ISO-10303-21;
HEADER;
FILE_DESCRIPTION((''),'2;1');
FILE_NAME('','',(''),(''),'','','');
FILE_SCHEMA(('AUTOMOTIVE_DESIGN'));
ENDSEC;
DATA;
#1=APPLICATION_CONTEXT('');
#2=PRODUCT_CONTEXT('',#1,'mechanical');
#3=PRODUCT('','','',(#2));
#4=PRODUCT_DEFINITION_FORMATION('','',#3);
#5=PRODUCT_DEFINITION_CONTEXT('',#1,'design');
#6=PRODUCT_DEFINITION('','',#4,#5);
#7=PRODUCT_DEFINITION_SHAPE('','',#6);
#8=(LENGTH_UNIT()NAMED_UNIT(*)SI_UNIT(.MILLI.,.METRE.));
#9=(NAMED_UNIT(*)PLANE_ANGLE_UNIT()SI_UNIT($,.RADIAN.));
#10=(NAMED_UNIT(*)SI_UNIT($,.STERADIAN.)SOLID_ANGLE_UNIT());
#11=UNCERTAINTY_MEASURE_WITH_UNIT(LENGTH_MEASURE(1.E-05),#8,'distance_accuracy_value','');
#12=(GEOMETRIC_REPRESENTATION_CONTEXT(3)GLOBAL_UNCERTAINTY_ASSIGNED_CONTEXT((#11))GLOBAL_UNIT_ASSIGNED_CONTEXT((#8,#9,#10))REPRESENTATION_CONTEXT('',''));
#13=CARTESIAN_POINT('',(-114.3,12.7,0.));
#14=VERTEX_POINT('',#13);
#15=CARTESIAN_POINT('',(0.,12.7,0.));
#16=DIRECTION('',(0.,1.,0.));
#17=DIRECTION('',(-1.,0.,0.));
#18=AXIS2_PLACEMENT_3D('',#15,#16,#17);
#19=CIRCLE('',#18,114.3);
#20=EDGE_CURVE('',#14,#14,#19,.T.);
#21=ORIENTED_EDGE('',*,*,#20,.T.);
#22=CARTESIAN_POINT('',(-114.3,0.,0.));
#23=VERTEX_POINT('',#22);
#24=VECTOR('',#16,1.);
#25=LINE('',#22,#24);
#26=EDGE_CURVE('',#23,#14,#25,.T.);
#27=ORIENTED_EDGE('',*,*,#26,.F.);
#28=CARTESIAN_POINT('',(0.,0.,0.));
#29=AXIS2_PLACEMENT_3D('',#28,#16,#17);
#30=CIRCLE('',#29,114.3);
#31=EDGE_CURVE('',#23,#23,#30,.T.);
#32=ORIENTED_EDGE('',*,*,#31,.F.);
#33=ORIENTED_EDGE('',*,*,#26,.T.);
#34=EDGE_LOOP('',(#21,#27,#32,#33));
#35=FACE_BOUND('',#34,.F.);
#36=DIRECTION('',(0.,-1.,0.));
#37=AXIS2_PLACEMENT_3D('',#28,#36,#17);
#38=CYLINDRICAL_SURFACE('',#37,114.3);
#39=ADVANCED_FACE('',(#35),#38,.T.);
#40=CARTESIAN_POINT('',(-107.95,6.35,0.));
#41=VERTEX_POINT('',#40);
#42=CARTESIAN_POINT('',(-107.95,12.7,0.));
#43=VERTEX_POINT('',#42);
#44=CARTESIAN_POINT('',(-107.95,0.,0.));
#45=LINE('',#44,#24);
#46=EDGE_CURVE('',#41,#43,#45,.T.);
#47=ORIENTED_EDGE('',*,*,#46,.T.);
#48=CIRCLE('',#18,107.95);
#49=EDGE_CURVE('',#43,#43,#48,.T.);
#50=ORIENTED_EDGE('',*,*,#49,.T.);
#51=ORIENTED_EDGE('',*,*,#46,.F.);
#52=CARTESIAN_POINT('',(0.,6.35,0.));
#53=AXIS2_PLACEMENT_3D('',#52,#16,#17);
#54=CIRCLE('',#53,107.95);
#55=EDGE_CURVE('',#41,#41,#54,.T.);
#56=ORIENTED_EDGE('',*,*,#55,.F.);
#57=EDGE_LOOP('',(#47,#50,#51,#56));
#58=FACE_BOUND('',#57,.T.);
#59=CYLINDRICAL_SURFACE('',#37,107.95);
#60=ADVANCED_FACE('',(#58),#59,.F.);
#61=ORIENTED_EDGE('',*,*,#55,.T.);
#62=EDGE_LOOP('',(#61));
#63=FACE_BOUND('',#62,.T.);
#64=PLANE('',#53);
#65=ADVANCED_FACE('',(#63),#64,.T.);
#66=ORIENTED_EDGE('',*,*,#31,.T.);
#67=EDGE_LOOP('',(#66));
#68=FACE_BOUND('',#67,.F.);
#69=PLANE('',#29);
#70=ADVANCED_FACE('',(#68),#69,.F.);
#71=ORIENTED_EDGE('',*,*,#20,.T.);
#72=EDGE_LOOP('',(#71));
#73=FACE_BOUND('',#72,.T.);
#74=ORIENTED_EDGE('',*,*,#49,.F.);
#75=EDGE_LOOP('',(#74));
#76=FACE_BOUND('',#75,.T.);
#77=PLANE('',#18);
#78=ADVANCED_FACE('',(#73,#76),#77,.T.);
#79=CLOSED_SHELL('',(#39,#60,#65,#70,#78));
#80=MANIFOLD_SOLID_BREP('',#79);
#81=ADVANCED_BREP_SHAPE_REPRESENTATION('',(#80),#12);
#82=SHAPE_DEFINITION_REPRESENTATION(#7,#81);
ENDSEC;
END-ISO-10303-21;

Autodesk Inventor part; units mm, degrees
ref_plane "YZ Plane" through (0, 0, 0) normal (1, 0, 0) x (0, 1, 0)
ref_plane "XZ Plane" through (0, 0, 0) normal (0, 1, 0) x (-1, 0, 0)
ref_plane "XY Plane" through (0, 0, 0) normal (0, 0, 1) x (1, 0, 0)
sketch "Sketch1" plane through (0, 0, 0) normal (0, 1, 0) x (-1, 0, 0)
  circle A0 centre (0, 0) radius 114.3
  circle A1 centre (0, 0) radius 107.95
  line L0 (-63.5, -63.5) -> (63.5, -63.5)
  line L1 (63.5, -63.5) -> (63.5, 63.5)
  line L2 (63.5, 63.5) -> (-63.5, 63.5)
  line L3 (-63.5, 63.5) -> (-63.5, -63.5)
  line L4 (-63.5, -63.5) -> (63.5, 63.5) construction
  line L5 (63.5, -63.5) -> (-63.5, 63.5) construction
  line L6 (57.15, 57.15) -> (57.15, -57.15)
  line L7 (57.15, -57.15) -> (-57.15, -57.15)
  line L8 (-57.15, -57.15) -> (-57.15, 57.15)
  line L9 (-57.15, 57.15) -> (57.15, 57.15)
  dimension "d0" = 228.6
  dimension "d1" = 6.35
  dimension "d2" = 127
  dimension "d3" = 127
  dimension "d4" = 6.35
extrude "Extrusion1" add sketch "Sketch1" along normal blind 6.35 contours A1
extrude "Extrusion2" add sketch "Sketch1" along normal blind 12.7 contours A0
extrude "Extrusion3" add sketch "Sketch1" along normal blind 6.35 contours L3 L2 L1 L0 | L6 L7 L8 L9
properties part number "Drainage Base"
